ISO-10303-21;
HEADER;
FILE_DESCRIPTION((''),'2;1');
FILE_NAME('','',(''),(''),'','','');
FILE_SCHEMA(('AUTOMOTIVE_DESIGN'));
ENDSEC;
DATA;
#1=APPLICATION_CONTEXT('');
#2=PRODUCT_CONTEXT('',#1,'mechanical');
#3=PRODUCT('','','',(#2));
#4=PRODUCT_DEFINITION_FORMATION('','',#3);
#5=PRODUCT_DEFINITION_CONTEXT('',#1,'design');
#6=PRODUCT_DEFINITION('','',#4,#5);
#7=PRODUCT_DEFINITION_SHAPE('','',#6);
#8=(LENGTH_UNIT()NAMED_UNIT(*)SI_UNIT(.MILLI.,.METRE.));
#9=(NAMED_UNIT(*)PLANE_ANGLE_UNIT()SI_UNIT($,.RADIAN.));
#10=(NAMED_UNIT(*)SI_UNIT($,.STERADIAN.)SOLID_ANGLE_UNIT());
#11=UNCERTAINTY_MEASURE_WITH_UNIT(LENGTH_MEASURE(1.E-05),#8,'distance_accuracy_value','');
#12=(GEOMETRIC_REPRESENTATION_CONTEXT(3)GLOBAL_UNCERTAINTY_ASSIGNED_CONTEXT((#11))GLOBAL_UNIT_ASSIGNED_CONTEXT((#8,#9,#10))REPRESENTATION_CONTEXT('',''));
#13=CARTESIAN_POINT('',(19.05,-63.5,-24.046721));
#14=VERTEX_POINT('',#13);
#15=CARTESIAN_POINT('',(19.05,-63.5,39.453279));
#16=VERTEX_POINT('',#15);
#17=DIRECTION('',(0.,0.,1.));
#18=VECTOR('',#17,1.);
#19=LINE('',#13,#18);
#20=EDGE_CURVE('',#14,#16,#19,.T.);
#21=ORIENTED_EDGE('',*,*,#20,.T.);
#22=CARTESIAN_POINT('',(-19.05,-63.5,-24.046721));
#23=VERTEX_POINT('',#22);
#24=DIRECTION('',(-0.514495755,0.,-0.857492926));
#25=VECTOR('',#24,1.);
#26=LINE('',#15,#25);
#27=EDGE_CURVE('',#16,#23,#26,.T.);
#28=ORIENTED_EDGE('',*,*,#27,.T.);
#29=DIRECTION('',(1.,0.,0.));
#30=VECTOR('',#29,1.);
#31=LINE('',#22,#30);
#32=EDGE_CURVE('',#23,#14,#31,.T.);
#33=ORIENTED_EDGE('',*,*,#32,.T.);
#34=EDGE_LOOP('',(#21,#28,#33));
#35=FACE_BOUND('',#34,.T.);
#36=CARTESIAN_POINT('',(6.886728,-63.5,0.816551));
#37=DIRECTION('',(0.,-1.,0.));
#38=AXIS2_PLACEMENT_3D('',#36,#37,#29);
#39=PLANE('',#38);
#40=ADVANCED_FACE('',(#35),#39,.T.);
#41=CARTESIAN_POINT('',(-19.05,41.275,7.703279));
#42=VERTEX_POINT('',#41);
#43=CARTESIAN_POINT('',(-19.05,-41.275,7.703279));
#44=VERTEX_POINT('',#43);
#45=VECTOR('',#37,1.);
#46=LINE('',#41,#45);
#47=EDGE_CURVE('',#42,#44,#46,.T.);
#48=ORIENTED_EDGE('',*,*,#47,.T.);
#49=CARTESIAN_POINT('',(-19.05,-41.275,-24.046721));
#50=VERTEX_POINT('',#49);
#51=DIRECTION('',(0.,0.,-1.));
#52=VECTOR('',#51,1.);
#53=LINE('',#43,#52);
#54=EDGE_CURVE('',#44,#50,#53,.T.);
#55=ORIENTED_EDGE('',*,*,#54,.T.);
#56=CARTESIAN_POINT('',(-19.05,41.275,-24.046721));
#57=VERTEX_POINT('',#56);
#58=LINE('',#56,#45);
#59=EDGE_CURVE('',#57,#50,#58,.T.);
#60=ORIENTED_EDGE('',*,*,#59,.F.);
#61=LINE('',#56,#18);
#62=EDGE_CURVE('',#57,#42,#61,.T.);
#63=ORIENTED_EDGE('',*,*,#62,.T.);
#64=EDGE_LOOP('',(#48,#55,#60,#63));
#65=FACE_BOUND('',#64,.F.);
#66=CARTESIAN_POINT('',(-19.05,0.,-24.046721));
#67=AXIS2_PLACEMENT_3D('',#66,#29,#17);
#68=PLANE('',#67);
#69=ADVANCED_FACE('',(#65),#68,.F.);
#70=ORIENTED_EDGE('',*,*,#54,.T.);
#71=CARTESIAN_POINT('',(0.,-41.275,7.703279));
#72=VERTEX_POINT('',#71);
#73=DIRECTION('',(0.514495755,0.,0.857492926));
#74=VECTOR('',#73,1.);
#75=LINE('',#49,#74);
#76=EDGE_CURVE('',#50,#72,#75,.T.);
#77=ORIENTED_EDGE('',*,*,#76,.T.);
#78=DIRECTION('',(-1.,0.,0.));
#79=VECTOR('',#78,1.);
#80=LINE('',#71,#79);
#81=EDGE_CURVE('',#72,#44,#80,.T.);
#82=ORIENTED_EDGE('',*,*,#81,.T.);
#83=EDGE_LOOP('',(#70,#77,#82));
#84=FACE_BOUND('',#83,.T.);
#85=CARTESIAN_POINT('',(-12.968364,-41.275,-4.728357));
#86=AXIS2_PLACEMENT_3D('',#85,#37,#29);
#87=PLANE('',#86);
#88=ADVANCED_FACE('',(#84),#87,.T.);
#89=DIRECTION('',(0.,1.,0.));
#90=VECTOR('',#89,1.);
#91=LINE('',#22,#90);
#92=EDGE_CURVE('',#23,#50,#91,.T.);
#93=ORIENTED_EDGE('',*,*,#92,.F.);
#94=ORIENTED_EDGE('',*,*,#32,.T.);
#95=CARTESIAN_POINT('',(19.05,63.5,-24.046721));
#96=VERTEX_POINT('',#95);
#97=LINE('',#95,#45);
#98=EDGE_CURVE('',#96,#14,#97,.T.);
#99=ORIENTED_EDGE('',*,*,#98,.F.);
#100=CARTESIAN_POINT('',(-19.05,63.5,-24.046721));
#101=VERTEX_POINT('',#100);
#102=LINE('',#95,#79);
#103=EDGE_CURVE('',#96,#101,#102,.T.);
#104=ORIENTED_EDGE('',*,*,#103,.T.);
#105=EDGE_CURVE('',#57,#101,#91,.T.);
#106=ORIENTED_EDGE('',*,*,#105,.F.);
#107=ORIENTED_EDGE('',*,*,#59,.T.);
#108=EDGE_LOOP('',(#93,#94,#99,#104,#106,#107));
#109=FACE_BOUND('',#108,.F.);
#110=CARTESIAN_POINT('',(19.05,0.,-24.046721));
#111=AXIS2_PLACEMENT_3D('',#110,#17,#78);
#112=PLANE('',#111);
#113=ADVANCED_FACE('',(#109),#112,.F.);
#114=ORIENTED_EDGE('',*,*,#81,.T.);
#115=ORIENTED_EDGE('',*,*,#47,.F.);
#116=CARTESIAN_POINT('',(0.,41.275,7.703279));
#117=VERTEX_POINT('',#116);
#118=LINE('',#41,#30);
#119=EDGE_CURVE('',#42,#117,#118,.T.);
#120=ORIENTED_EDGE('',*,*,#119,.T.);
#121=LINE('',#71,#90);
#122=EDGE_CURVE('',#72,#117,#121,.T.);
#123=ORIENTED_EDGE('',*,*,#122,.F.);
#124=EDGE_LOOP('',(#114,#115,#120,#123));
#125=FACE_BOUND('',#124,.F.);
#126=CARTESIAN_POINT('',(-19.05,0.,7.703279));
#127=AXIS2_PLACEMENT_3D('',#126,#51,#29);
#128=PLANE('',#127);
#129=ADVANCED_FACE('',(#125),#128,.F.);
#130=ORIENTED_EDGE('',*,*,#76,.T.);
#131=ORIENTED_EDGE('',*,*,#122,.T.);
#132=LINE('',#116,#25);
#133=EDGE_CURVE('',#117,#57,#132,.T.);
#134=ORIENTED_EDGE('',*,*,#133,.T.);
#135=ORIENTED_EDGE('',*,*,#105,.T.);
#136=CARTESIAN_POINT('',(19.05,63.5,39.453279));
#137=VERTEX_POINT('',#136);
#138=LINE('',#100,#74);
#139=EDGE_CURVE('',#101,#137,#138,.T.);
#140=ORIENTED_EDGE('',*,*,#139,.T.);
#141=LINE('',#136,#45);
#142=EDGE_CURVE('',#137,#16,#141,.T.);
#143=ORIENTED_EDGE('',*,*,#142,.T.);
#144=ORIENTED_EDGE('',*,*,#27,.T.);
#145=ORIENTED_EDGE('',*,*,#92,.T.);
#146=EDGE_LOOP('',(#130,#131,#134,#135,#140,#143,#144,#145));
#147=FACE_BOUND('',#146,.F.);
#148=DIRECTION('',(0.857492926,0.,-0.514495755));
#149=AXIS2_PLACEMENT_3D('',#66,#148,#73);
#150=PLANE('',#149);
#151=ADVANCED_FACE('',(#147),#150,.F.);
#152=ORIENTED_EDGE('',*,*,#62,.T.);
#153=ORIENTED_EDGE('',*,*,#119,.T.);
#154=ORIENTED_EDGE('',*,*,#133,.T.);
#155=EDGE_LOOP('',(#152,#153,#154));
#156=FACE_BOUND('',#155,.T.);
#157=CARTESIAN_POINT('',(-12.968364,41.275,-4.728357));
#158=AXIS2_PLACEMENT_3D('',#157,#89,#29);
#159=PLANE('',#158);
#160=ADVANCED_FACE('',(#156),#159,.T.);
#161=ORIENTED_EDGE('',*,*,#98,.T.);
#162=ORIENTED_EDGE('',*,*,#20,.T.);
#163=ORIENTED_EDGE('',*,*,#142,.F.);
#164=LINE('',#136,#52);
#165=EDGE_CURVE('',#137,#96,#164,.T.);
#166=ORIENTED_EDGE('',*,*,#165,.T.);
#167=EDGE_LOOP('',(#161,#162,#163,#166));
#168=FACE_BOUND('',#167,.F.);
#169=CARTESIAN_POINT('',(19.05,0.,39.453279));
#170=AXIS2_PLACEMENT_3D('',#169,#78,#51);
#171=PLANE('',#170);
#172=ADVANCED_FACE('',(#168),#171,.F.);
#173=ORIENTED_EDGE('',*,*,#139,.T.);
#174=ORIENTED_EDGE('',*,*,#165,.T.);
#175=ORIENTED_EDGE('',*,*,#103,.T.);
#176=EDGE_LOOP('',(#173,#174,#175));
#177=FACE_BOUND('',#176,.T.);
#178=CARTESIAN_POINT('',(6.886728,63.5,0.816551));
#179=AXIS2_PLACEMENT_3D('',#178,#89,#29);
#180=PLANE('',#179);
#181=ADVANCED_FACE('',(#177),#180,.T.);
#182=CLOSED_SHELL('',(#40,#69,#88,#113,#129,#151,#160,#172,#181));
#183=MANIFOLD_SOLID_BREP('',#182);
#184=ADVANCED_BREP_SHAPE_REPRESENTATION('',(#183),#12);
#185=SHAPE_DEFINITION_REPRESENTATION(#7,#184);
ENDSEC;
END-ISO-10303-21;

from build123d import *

# Parameters (mm, degrees)
F1_DEPTH = 63.5
F2_DEPTH = 63.5
F3_DEPTH = 41.275
F4_DEPTH = 41.275


with BuildPart() as f1:
    # F0 (on Front) → F1 (new body)
    with BuildSketch(Plane.XZ):
        Polygon((0, 7.703279), (-19.05, -24.046721), (19.05, -24.046721), (19.05, 39.453279), align=None)
    extrude(amount=F1_DEPTH)

    # F1_face (on face) → F2 (join)
    with BuildSketch(Plane(origin=(6.35, 0, -2.880054), x_dir=(1, 0, 0), z_dir=(0, 1, 0))):
        Polygon((12.7, 21.166667), (-25.4, 21.166667), (12.7, -42.333333), align=None)
    extrude(amount=F2_DEPTH)

    # F0 (on Front) → F3 (join)
    with BuildSketch(Plane.XZ):
        Polygon((-19.05, 7.703279), (-19.05, -24.046721), (0, 7.703279), align=None)
    extrude(amount=F3_DEPTH)

    # F3_face (on face) → F4 (join)
    with BuildSketch(Plane(origin=(-12.7, 0, -2.880054), x_dir=(1, 0, 0), z_dir=(0, 1, 0))):
        Polygon((-6.35, -10.583333), (12.7, -10.583333), (-6.35, 21.166667), align=None)
    extrude(amount=F4_DEPTH)


solid = f1.part
